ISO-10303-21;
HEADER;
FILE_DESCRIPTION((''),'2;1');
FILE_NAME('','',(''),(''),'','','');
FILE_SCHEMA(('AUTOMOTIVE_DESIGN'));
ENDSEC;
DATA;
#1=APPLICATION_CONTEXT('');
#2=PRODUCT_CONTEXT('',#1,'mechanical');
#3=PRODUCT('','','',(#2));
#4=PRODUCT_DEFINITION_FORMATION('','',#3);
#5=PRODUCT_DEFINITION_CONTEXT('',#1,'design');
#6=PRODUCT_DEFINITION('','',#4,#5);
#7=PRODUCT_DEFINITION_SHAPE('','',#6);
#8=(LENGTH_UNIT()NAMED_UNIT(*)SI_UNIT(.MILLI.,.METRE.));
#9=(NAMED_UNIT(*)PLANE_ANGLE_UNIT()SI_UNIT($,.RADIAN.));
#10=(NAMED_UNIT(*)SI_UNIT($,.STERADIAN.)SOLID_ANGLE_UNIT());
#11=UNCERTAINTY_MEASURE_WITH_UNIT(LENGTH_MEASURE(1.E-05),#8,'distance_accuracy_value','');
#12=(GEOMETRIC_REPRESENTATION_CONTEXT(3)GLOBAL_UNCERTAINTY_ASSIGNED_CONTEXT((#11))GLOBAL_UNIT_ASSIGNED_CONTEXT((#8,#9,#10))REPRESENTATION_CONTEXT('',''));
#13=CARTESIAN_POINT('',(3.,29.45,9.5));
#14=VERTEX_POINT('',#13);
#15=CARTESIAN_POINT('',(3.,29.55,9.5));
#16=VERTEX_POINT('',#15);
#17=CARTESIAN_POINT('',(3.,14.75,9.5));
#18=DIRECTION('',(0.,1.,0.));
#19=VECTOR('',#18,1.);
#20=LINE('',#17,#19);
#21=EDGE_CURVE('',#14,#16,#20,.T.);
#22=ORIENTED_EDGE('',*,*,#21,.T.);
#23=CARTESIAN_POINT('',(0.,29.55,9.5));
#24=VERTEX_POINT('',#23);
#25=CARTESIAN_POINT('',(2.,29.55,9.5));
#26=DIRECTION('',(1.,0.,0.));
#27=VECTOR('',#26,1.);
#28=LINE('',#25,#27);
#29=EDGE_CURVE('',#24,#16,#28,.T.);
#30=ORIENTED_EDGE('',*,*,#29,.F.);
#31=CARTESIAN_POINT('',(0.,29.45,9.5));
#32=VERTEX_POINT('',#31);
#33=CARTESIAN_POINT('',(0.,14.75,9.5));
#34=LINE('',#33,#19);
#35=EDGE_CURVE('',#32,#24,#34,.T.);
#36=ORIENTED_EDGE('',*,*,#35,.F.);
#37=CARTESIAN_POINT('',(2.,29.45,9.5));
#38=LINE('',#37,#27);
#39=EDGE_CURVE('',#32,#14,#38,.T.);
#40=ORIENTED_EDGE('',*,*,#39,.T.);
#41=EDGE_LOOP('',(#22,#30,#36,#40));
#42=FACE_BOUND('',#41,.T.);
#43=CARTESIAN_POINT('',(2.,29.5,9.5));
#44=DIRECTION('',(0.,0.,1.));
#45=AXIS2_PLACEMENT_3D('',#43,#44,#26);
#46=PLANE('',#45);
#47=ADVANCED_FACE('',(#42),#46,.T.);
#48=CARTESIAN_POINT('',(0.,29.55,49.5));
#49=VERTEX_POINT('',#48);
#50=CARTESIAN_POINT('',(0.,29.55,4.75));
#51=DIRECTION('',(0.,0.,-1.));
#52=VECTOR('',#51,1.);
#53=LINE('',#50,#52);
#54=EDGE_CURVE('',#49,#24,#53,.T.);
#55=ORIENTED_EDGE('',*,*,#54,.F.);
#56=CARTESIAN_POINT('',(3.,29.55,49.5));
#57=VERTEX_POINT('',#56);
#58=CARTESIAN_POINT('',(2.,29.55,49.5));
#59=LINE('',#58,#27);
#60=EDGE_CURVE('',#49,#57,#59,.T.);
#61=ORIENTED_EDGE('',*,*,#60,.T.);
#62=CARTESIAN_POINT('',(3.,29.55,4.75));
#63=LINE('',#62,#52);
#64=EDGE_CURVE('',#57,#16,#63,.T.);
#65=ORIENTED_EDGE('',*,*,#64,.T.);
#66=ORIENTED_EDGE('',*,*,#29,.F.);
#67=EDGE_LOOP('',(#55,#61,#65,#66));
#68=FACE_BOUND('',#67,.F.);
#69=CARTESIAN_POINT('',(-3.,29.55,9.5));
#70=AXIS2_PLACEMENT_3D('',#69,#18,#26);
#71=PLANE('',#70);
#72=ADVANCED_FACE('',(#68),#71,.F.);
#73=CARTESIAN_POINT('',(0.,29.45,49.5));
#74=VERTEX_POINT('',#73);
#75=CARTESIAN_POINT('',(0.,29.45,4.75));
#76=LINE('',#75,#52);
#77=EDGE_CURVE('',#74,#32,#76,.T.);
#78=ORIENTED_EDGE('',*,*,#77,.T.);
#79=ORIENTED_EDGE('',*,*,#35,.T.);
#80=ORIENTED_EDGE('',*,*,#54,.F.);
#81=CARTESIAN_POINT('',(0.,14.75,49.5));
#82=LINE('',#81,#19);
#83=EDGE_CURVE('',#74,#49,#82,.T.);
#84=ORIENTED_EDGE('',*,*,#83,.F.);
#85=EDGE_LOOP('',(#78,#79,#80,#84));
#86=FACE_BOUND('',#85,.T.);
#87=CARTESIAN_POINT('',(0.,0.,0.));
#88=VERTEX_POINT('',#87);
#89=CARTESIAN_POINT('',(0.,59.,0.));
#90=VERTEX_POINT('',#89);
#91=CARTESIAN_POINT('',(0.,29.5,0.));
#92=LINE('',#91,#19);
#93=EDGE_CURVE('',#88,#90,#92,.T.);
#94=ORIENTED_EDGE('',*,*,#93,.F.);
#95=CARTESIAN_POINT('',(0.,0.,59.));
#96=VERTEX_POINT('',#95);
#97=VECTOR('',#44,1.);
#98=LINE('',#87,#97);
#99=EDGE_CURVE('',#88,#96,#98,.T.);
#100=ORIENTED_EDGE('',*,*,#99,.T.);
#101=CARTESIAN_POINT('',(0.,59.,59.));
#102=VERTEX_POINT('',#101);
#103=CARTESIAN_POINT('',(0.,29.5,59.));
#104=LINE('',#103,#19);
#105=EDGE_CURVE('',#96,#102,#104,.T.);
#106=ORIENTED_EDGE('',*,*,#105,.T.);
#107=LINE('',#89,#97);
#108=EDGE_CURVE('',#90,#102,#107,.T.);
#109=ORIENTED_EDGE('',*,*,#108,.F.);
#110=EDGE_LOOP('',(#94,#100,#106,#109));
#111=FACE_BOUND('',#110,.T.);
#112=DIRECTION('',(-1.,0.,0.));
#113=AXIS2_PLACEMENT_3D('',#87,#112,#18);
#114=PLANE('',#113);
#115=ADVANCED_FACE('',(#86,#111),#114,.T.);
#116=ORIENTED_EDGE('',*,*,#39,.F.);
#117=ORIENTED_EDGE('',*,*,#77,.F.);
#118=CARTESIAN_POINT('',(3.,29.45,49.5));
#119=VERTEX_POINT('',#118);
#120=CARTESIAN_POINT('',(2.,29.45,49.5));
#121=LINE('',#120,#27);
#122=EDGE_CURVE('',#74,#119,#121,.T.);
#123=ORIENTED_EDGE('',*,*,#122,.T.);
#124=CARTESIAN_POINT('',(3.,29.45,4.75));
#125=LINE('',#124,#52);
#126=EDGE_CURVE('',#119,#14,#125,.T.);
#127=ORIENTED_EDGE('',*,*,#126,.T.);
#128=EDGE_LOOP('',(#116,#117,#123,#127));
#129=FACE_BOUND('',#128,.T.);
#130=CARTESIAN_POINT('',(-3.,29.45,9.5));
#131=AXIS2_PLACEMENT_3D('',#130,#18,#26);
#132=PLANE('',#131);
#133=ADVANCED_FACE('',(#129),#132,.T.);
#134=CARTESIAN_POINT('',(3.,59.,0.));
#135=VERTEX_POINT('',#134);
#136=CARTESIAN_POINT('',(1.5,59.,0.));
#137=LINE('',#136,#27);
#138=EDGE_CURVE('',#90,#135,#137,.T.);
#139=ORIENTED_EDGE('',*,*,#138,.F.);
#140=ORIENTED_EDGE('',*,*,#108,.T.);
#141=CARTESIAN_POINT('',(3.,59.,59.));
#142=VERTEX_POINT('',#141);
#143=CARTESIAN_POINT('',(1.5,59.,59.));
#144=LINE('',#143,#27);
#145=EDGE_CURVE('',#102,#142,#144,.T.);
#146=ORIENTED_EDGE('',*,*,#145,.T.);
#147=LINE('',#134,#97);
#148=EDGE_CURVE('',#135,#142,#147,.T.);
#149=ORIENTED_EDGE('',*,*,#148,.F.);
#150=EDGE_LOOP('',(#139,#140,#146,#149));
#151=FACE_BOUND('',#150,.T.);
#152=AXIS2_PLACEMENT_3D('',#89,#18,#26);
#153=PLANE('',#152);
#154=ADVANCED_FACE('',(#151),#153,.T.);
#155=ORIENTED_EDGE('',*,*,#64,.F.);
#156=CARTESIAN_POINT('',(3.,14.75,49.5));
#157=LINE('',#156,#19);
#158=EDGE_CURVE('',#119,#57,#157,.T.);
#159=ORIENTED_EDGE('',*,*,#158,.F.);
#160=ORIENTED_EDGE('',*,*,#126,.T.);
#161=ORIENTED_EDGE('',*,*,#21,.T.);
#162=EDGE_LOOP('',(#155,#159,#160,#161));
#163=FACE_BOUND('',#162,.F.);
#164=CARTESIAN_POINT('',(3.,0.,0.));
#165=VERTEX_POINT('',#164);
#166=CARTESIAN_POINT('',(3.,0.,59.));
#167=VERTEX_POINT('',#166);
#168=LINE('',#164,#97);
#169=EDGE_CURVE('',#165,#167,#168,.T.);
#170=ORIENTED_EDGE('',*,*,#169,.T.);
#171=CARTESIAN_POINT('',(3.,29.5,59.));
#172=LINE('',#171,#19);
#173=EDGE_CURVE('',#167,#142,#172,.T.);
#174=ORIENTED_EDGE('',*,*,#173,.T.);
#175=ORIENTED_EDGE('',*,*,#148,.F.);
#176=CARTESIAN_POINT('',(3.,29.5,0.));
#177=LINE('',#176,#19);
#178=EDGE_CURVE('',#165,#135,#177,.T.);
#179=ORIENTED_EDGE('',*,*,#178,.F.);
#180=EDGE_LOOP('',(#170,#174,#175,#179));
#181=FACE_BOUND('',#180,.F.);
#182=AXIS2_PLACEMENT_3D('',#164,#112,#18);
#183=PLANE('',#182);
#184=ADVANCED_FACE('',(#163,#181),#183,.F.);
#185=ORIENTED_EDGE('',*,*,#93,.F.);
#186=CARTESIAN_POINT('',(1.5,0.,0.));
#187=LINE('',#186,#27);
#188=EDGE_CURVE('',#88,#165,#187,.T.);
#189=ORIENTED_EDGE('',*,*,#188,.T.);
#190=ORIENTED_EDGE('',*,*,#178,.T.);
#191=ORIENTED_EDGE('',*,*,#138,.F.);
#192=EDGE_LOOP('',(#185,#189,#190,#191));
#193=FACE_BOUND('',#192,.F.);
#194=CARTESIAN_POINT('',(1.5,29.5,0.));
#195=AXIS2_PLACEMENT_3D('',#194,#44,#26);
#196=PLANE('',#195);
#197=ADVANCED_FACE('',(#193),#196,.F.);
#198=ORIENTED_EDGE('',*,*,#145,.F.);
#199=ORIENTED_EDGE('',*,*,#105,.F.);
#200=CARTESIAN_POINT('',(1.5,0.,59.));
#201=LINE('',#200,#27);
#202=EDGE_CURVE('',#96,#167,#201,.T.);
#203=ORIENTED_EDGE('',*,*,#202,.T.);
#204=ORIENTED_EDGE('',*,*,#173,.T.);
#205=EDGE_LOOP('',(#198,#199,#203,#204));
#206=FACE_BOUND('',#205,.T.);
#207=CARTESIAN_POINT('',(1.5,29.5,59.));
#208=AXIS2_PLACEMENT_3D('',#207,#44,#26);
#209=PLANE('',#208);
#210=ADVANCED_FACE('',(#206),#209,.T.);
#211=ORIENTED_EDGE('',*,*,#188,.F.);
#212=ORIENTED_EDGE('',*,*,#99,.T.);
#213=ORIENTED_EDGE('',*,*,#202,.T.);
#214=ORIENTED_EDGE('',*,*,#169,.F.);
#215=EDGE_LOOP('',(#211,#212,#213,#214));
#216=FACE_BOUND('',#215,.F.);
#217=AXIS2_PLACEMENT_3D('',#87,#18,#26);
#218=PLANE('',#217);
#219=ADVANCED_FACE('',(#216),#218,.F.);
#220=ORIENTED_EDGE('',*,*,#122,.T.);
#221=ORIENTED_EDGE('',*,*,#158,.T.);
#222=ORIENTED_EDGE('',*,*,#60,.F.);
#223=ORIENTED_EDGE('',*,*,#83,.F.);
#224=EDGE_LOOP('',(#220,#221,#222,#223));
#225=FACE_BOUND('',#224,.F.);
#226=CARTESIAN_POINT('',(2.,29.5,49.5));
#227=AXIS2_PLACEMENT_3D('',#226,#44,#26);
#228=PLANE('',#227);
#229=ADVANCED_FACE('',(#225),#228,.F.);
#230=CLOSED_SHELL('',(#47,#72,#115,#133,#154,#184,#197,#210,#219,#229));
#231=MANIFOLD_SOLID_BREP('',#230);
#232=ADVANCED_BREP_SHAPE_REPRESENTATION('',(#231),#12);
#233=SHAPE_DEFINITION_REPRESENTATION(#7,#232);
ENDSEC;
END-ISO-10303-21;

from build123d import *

# Parameters (mm, degrees)
BOX007_W     = 10
BOX007_H     = 0.1
BOX007_DEPTH = 40
BOX006_W     = 3
BOX006_H     = 59
BOX006_DEPTH = 59


with BuildPart() as slit_hole:
    # Box007 → Box007 (new body)
    with BuildSketch(Plane(origin=(-3, 29.45, 9.5), x_dir=(1, 0, 0), z_dir=(0, 0, 1))):
        with Locations((5, 0.05)):
            Rectangle(BOX007_W, BOX007_H)
    extrude(amount=BOX007_DEPTH)


with BuildPart() as slit_plate_cut:
    # Box006 → Box006 (new body)
    with BuildSketch(Plane.XY):
        with Locations((1.5, 29.5)):
            Rectangle(BOX006_W, BOX006_H)
    extrude(amount=BOX006_DEPTH)

    # Cut004: cut slit hole
    add(slit_hole.part, mode=Mode.SUBTRACT)


solid = slit_plate_cut.part
